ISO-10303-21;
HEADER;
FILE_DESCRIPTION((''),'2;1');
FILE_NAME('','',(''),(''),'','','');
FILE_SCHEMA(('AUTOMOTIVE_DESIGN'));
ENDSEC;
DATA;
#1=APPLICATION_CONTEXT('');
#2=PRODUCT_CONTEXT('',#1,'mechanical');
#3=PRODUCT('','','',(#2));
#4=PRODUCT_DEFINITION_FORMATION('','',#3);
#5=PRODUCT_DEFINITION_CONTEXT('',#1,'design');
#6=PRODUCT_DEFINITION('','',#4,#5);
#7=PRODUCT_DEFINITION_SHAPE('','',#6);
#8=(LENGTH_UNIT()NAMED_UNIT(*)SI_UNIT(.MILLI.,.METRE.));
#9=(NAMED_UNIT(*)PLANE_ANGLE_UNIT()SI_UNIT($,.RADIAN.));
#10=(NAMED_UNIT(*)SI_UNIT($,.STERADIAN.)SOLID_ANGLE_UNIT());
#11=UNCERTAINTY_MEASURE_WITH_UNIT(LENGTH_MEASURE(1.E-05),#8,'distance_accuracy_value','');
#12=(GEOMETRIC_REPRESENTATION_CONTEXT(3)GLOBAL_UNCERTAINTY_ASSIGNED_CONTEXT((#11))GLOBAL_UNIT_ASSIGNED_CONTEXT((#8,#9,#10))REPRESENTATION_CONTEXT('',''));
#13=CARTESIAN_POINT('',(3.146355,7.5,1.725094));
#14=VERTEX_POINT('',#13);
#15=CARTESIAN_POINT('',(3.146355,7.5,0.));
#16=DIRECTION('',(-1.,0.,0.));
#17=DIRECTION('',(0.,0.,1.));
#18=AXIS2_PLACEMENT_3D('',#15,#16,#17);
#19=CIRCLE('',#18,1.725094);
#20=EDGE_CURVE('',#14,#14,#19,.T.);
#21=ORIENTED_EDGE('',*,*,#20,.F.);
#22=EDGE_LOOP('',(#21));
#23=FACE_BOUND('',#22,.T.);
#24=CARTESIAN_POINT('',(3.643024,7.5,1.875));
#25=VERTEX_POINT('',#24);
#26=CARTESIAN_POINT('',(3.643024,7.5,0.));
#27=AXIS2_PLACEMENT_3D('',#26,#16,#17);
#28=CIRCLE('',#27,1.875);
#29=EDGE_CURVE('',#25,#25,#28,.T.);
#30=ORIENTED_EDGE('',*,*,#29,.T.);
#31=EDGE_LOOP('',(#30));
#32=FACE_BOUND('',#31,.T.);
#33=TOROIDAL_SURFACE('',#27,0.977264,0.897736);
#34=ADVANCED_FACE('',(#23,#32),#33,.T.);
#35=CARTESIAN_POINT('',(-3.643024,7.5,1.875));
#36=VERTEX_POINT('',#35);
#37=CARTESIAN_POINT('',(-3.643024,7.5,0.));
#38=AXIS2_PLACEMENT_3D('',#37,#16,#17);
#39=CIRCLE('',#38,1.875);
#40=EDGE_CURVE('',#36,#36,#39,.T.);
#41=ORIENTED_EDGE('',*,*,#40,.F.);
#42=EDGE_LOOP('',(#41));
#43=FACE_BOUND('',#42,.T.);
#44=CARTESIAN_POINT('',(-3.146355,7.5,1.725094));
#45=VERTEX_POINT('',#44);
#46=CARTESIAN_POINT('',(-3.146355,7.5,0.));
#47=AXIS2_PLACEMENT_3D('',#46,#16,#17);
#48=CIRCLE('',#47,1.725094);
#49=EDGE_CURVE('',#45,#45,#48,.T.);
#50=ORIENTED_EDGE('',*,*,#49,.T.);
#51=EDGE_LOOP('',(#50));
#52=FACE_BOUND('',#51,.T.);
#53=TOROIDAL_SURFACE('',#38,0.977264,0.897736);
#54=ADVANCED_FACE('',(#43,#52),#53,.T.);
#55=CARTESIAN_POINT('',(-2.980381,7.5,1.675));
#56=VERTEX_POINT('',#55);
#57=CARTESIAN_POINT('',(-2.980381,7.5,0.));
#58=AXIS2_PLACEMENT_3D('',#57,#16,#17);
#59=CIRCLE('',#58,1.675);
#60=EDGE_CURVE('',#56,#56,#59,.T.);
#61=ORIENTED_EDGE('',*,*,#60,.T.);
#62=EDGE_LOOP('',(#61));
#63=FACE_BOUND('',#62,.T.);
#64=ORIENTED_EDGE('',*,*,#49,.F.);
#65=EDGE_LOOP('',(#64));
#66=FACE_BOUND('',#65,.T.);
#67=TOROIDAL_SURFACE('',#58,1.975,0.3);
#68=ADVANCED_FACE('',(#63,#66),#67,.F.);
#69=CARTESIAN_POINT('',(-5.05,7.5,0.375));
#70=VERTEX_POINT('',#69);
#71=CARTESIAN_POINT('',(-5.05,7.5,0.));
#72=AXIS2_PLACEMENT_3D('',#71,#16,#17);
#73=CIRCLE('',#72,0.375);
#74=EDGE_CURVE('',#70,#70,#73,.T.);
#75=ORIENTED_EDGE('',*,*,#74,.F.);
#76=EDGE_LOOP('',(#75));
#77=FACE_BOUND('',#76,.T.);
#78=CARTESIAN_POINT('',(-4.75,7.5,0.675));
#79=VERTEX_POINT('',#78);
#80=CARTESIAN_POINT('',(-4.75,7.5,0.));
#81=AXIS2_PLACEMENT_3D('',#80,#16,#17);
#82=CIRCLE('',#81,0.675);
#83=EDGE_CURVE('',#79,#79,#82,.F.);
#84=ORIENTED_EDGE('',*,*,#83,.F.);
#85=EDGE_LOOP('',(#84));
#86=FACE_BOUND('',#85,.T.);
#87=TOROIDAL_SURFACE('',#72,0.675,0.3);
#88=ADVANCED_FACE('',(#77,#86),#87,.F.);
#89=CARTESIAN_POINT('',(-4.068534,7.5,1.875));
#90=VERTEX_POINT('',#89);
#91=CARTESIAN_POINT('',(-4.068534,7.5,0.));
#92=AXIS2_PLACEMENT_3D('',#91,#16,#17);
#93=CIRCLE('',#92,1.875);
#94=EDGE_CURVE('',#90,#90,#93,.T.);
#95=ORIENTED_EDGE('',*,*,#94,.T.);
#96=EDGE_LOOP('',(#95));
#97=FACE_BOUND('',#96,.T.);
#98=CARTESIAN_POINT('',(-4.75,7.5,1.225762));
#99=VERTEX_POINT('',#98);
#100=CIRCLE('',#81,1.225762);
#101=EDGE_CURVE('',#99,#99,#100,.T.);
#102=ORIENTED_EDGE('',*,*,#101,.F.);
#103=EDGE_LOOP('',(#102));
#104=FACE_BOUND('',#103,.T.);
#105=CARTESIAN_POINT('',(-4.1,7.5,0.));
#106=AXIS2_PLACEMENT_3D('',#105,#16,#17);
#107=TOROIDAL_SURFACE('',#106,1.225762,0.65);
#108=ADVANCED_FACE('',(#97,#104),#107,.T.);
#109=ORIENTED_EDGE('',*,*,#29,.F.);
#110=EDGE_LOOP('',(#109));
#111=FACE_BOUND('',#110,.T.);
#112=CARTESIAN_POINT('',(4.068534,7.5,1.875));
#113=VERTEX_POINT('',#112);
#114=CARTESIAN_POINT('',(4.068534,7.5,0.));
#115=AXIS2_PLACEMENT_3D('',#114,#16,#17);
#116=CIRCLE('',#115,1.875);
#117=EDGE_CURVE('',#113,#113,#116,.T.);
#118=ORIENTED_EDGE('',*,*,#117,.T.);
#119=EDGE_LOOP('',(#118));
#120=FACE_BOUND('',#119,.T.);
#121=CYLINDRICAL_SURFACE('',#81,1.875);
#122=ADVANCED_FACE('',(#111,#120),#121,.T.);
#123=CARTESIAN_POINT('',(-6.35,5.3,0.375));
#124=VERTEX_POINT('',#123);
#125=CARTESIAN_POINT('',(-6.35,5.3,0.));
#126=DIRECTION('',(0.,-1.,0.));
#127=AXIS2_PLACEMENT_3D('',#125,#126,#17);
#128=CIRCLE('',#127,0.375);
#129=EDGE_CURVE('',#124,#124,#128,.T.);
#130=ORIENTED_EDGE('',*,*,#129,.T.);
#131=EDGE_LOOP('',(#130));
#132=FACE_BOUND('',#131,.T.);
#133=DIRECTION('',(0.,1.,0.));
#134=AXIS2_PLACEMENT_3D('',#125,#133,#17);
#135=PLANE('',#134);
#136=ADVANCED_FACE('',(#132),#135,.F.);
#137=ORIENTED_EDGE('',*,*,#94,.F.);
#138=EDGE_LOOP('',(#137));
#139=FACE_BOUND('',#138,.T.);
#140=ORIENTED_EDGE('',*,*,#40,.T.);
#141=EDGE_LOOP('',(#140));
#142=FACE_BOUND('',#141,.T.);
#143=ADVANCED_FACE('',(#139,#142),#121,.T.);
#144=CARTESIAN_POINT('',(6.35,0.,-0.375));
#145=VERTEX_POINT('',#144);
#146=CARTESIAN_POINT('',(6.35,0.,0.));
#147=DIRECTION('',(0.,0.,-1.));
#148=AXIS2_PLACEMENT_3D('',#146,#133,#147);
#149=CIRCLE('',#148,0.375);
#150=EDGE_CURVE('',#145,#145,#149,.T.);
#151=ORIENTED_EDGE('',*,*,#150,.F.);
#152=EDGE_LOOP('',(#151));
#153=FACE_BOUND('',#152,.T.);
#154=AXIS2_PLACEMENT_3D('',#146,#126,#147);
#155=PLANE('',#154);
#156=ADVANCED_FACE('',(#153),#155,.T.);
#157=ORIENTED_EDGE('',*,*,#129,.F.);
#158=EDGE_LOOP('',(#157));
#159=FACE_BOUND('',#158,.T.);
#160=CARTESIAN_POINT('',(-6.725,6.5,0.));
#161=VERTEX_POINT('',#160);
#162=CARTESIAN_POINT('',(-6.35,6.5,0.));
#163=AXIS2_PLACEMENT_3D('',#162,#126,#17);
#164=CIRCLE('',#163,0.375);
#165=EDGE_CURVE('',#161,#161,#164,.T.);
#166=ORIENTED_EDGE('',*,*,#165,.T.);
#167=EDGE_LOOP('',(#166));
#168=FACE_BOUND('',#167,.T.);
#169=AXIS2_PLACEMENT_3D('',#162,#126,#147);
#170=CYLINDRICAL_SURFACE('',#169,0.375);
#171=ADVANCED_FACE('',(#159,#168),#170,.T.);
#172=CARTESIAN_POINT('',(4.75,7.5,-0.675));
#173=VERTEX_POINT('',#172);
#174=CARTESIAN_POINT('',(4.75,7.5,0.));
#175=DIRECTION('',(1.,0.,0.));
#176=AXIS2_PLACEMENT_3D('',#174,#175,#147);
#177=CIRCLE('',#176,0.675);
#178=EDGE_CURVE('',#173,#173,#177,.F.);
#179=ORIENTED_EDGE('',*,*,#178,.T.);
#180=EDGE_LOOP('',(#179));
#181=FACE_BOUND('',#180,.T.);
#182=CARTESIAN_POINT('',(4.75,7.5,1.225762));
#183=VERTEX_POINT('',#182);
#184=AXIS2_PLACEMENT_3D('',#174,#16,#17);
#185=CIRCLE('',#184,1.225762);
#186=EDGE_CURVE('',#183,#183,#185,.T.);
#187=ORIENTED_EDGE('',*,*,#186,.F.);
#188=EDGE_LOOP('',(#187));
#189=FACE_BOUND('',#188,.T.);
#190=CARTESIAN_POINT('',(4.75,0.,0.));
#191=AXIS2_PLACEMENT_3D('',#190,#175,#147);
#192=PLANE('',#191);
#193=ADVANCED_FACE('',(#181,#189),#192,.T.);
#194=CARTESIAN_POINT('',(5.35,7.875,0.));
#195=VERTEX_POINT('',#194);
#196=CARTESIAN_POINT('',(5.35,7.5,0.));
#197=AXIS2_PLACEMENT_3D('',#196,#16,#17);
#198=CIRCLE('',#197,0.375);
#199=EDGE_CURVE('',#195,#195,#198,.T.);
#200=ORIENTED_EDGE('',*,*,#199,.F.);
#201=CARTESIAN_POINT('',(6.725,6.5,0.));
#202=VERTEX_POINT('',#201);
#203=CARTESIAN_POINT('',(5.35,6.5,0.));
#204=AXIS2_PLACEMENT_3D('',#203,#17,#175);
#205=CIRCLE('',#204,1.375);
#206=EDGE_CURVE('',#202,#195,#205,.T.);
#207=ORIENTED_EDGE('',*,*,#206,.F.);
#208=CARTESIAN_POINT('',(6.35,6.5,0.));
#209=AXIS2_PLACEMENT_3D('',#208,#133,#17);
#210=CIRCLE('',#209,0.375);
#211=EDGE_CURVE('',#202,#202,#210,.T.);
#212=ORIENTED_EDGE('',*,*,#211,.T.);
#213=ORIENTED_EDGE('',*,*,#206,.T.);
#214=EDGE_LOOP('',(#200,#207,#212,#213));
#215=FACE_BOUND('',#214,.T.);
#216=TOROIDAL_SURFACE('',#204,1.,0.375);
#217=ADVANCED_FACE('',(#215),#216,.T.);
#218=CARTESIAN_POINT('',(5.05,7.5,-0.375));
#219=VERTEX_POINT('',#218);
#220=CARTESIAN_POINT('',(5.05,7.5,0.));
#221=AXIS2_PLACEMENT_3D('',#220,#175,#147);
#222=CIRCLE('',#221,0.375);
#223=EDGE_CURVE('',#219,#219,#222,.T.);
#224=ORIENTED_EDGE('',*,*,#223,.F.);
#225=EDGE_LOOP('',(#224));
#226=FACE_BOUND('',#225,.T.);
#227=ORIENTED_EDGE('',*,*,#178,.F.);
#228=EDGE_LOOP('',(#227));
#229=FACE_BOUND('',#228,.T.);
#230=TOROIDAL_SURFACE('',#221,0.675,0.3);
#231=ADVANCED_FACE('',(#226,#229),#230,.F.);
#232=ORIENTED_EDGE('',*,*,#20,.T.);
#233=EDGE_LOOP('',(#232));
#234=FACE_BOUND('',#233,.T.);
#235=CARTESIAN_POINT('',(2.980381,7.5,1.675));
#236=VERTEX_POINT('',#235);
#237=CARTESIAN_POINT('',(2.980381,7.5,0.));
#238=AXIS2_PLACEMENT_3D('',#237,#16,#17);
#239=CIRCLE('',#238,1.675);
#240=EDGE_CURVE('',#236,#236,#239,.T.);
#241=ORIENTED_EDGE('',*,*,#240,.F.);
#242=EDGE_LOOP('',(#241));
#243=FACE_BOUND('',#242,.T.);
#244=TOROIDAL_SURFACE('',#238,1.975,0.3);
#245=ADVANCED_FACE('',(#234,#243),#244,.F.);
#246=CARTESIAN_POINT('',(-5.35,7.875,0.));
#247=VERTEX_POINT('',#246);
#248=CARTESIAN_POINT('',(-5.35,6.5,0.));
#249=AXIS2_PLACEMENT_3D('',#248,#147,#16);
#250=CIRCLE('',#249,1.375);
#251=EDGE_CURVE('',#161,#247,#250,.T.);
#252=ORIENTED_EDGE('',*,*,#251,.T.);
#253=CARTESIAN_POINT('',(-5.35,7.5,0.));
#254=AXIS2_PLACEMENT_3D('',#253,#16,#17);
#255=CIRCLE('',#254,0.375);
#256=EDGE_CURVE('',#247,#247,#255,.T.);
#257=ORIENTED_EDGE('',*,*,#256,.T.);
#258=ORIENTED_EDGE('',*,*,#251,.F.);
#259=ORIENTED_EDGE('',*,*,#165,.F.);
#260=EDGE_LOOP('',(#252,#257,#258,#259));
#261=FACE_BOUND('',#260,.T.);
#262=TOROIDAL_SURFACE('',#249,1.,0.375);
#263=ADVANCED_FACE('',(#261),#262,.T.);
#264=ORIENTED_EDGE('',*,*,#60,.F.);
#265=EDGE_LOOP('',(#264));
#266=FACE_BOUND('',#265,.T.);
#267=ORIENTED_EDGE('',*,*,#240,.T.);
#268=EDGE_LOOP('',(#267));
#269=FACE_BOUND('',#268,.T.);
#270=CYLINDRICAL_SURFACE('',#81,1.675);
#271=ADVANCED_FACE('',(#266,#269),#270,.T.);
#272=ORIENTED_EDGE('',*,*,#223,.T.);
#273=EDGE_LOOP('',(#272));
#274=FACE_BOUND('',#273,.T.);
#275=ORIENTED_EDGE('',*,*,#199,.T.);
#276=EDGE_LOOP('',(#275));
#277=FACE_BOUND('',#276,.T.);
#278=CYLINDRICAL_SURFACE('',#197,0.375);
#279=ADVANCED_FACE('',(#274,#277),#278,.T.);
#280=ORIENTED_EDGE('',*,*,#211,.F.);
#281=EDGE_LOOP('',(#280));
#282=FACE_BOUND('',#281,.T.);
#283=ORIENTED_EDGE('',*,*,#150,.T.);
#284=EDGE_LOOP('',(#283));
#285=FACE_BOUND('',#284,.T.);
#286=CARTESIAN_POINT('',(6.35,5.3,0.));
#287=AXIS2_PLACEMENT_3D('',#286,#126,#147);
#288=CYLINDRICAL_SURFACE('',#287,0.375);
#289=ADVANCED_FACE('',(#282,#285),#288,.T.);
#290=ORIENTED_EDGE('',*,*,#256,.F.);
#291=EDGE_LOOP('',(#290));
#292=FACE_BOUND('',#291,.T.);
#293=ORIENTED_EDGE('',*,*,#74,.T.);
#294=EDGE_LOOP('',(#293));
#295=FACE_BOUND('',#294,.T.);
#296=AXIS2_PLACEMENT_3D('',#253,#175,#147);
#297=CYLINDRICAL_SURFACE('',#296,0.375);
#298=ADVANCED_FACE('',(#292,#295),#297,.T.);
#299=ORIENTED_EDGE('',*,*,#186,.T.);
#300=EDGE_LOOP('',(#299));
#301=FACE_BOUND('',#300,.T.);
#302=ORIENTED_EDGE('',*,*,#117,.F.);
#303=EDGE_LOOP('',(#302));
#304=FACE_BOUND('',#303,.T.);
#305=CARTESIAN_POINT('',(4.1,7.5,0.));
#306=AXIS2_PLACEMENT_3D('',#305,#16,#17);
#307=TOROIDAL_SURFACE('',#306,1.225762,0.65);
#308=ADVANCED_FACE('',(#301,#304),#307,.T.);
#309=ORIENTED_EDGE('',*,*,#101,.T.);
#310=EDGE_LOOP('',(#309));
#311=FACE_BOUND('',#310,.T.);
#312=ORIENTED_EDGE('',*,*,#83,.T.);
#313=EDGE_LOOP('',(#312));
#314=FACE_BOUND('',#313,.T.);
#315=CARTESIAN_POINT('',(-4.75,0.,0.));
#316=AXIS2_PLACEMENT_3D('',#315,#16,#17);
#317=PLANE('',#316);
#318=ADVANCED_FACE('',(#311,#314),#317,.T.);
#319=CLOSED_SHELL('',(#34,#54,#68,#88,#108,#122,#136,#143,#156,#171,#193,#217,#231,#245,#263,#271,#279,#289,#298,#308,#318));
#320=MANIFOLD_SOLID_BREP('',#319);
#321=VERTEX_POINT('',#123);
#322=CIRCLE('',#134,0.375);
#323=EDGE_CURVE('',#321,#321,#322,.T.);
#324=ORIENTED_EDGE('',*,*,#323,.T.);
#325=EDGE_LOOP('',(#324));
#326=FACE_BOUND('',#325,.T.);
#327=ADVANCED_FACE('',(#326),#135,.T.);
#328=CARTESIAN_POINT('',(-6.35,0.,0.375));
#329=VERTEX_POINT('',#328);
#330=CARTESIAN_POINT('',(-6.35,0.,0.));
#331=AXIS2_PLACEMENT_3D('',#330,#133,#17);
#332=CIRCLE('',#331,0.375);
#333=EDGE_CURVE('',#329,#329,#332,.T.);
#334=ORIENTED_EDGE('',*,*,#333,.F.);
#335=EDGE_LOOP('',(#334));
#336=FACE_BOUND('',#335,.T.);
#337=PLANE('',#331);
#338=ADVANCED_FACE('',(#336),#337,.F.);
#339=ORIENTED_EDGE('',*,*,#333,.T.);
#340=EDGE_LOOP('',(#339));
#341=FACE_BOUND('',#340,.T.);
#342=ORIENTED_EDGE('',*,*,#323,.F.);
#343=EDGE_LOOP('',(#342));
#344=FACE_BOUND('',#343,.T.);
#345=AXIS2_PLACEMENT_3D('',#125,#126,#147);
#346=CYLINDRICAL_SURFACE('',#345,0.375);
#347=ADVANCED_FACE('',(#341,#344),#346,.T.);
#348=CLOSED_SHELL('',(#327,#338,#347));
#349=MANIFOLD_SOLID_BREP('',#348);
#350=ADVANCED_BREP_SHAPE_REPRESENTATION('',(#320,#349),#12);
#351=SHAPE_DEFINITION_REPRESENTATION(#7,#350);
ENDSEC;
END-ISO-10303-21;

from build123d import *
from build123d.topology import SkipClean

# Parameters (mm, degrees)
SKETCH1_R             = 0.375
BOSS_EXTRUDE1_DEPTH   = 5.3
BOSS_EXTRUDE1_2_DEPTH = 5.3
SKETCH4_R             = 0.375
FILLET2_R             = 0.3


with BuildPart() as part:
    # Sketch1 → Boss-Extrude1 (new body)
    with BuildSketch(Plane(origin=(0, 0, 0), x_dir=(1, 0, 0), z_dir=(0, 1, 0))):
        with Locations(Location((-6.35, 0, 0), (0, 0, 270))):
            Circle(SKETCH1_R)
    extrude(amount=BOSS_EXTRUDE1_DEPTH)


with BuildPart() as body_2:
    # Sketch1 → Boss-Extrude1 2 (new body)
    with BuildSketch(Plane(origin=(0, 0, 0), x_dir=(1, 0, 0), z_dir=(0, 1, 0))):
        with Locations(Location((6.35, 0, 0), (0, 0, 90))):
            Circle(SKETCH1_R)
    extrude(amount=BOSS_EXTRUDE1_2_DEPTH)



with BuildPart() as body_3:
    # Sketch2 → Revolve1 (revolve)
    with BuildSketch(Plane.XY, mode=Mode.PRIVATE) as revolve1_sk:
        with BuildLine():
            Line((4.75, 8.725762057), (4.75, 7.5))
            Line((4.75, 7.5), (-4.75, 7.5))
            Line((-4.75, 7.5), (-4.75, 8.725762057))
            ThreePointArc((-4.75, 8.725762057), (-4.54835659, 9.196374815), (-4.068534253, 9.375))
            Line((-4.068534253, 9.375), (-3.643023528, 9.375))
            ThreePointArc((-3.643023528, 9.375), (-3.383624596, 9.336706926), (-3.146355064, 9.225094499))
            ThreePointArc((-3.146355064, 9.225094499), (-3.06706579, 9.187796544), (-2.98038145, 9.175))
            Line((-2.98038145, 9.175), (2.98038145, 9.175))
            ThreePointArc((2.98038145, 9.175), (3.06706579, 9.187796544), (3.146355064, 9.225094499))
            ThreePointArc((3.146355064, 9.225094499), (3.383624596, 9.336706926), (3.643023528, 9.375))
            Line((3.643023528, 9.375), (4.068534253, 9.375))
            ThreePointArc((4.068534253, 9.375), (4.54835659, 9.196374815), (4.75, 8.725762057))
        make_face()
    revolve(revolve1_sk.sketch.rotate(Axis((-4.75, 7.5, 0), (1, 0, 0)), 90), axis=Axis((-4.75, 7.5, 0), (1, 0, 0)))


with BuildPart() as body_2_1:
    with SkipClean():  # the faces are left unmerged after this step: merging them gives an invalid solid
        add(body_2.part)

        add(body_3.part)  # Sweep1 merges body 3
        # Sweep1: sweep along a path in Sketch3
        with BuildLine(Plane.XY) as sweep1_path:
            Line((3.5, 7.5), (5.35, 7.5))
            ThreePointArc((5.35, 7.5), (6.057106781, 7.207106781), (6.35, 6.5))
            Line((6.35, 6.5), (6.35, 5.3))
        # Sketch4 → Sweep1 (sweep)
        with BuildSketch(Plane(origin=(0, 5.3, 0), x_dir=(1, 0, 0), z_dir=(0, 1, 0))):
            with Locations((6.35, 0)):
                Circle(SKETCH4_R)
        sweep1 = sweep(path=sweep1_path.line)

    # Mirror1: Sweep1 across plane
    with SkipClean():  # the faces are left unmerged after this step: merging them gives an invalid solid
        add(sweep1.mirror(Plane(origin=(0, 0, 0), x_dir=(0, 0, 1), z_dir=(1, 0, 0))))

    # Fillet2
    fillet2_edges = [body_2_1.edges().sort_by_distance(p)[0] for p in [
        (4.75, 7.125, 0),
        (-4.75, 7.125, 0),
    ]]
    fillet(fillet2_edges, radius=FILLET2_R)


solid = Compound([part.part, body_2_1.part])
